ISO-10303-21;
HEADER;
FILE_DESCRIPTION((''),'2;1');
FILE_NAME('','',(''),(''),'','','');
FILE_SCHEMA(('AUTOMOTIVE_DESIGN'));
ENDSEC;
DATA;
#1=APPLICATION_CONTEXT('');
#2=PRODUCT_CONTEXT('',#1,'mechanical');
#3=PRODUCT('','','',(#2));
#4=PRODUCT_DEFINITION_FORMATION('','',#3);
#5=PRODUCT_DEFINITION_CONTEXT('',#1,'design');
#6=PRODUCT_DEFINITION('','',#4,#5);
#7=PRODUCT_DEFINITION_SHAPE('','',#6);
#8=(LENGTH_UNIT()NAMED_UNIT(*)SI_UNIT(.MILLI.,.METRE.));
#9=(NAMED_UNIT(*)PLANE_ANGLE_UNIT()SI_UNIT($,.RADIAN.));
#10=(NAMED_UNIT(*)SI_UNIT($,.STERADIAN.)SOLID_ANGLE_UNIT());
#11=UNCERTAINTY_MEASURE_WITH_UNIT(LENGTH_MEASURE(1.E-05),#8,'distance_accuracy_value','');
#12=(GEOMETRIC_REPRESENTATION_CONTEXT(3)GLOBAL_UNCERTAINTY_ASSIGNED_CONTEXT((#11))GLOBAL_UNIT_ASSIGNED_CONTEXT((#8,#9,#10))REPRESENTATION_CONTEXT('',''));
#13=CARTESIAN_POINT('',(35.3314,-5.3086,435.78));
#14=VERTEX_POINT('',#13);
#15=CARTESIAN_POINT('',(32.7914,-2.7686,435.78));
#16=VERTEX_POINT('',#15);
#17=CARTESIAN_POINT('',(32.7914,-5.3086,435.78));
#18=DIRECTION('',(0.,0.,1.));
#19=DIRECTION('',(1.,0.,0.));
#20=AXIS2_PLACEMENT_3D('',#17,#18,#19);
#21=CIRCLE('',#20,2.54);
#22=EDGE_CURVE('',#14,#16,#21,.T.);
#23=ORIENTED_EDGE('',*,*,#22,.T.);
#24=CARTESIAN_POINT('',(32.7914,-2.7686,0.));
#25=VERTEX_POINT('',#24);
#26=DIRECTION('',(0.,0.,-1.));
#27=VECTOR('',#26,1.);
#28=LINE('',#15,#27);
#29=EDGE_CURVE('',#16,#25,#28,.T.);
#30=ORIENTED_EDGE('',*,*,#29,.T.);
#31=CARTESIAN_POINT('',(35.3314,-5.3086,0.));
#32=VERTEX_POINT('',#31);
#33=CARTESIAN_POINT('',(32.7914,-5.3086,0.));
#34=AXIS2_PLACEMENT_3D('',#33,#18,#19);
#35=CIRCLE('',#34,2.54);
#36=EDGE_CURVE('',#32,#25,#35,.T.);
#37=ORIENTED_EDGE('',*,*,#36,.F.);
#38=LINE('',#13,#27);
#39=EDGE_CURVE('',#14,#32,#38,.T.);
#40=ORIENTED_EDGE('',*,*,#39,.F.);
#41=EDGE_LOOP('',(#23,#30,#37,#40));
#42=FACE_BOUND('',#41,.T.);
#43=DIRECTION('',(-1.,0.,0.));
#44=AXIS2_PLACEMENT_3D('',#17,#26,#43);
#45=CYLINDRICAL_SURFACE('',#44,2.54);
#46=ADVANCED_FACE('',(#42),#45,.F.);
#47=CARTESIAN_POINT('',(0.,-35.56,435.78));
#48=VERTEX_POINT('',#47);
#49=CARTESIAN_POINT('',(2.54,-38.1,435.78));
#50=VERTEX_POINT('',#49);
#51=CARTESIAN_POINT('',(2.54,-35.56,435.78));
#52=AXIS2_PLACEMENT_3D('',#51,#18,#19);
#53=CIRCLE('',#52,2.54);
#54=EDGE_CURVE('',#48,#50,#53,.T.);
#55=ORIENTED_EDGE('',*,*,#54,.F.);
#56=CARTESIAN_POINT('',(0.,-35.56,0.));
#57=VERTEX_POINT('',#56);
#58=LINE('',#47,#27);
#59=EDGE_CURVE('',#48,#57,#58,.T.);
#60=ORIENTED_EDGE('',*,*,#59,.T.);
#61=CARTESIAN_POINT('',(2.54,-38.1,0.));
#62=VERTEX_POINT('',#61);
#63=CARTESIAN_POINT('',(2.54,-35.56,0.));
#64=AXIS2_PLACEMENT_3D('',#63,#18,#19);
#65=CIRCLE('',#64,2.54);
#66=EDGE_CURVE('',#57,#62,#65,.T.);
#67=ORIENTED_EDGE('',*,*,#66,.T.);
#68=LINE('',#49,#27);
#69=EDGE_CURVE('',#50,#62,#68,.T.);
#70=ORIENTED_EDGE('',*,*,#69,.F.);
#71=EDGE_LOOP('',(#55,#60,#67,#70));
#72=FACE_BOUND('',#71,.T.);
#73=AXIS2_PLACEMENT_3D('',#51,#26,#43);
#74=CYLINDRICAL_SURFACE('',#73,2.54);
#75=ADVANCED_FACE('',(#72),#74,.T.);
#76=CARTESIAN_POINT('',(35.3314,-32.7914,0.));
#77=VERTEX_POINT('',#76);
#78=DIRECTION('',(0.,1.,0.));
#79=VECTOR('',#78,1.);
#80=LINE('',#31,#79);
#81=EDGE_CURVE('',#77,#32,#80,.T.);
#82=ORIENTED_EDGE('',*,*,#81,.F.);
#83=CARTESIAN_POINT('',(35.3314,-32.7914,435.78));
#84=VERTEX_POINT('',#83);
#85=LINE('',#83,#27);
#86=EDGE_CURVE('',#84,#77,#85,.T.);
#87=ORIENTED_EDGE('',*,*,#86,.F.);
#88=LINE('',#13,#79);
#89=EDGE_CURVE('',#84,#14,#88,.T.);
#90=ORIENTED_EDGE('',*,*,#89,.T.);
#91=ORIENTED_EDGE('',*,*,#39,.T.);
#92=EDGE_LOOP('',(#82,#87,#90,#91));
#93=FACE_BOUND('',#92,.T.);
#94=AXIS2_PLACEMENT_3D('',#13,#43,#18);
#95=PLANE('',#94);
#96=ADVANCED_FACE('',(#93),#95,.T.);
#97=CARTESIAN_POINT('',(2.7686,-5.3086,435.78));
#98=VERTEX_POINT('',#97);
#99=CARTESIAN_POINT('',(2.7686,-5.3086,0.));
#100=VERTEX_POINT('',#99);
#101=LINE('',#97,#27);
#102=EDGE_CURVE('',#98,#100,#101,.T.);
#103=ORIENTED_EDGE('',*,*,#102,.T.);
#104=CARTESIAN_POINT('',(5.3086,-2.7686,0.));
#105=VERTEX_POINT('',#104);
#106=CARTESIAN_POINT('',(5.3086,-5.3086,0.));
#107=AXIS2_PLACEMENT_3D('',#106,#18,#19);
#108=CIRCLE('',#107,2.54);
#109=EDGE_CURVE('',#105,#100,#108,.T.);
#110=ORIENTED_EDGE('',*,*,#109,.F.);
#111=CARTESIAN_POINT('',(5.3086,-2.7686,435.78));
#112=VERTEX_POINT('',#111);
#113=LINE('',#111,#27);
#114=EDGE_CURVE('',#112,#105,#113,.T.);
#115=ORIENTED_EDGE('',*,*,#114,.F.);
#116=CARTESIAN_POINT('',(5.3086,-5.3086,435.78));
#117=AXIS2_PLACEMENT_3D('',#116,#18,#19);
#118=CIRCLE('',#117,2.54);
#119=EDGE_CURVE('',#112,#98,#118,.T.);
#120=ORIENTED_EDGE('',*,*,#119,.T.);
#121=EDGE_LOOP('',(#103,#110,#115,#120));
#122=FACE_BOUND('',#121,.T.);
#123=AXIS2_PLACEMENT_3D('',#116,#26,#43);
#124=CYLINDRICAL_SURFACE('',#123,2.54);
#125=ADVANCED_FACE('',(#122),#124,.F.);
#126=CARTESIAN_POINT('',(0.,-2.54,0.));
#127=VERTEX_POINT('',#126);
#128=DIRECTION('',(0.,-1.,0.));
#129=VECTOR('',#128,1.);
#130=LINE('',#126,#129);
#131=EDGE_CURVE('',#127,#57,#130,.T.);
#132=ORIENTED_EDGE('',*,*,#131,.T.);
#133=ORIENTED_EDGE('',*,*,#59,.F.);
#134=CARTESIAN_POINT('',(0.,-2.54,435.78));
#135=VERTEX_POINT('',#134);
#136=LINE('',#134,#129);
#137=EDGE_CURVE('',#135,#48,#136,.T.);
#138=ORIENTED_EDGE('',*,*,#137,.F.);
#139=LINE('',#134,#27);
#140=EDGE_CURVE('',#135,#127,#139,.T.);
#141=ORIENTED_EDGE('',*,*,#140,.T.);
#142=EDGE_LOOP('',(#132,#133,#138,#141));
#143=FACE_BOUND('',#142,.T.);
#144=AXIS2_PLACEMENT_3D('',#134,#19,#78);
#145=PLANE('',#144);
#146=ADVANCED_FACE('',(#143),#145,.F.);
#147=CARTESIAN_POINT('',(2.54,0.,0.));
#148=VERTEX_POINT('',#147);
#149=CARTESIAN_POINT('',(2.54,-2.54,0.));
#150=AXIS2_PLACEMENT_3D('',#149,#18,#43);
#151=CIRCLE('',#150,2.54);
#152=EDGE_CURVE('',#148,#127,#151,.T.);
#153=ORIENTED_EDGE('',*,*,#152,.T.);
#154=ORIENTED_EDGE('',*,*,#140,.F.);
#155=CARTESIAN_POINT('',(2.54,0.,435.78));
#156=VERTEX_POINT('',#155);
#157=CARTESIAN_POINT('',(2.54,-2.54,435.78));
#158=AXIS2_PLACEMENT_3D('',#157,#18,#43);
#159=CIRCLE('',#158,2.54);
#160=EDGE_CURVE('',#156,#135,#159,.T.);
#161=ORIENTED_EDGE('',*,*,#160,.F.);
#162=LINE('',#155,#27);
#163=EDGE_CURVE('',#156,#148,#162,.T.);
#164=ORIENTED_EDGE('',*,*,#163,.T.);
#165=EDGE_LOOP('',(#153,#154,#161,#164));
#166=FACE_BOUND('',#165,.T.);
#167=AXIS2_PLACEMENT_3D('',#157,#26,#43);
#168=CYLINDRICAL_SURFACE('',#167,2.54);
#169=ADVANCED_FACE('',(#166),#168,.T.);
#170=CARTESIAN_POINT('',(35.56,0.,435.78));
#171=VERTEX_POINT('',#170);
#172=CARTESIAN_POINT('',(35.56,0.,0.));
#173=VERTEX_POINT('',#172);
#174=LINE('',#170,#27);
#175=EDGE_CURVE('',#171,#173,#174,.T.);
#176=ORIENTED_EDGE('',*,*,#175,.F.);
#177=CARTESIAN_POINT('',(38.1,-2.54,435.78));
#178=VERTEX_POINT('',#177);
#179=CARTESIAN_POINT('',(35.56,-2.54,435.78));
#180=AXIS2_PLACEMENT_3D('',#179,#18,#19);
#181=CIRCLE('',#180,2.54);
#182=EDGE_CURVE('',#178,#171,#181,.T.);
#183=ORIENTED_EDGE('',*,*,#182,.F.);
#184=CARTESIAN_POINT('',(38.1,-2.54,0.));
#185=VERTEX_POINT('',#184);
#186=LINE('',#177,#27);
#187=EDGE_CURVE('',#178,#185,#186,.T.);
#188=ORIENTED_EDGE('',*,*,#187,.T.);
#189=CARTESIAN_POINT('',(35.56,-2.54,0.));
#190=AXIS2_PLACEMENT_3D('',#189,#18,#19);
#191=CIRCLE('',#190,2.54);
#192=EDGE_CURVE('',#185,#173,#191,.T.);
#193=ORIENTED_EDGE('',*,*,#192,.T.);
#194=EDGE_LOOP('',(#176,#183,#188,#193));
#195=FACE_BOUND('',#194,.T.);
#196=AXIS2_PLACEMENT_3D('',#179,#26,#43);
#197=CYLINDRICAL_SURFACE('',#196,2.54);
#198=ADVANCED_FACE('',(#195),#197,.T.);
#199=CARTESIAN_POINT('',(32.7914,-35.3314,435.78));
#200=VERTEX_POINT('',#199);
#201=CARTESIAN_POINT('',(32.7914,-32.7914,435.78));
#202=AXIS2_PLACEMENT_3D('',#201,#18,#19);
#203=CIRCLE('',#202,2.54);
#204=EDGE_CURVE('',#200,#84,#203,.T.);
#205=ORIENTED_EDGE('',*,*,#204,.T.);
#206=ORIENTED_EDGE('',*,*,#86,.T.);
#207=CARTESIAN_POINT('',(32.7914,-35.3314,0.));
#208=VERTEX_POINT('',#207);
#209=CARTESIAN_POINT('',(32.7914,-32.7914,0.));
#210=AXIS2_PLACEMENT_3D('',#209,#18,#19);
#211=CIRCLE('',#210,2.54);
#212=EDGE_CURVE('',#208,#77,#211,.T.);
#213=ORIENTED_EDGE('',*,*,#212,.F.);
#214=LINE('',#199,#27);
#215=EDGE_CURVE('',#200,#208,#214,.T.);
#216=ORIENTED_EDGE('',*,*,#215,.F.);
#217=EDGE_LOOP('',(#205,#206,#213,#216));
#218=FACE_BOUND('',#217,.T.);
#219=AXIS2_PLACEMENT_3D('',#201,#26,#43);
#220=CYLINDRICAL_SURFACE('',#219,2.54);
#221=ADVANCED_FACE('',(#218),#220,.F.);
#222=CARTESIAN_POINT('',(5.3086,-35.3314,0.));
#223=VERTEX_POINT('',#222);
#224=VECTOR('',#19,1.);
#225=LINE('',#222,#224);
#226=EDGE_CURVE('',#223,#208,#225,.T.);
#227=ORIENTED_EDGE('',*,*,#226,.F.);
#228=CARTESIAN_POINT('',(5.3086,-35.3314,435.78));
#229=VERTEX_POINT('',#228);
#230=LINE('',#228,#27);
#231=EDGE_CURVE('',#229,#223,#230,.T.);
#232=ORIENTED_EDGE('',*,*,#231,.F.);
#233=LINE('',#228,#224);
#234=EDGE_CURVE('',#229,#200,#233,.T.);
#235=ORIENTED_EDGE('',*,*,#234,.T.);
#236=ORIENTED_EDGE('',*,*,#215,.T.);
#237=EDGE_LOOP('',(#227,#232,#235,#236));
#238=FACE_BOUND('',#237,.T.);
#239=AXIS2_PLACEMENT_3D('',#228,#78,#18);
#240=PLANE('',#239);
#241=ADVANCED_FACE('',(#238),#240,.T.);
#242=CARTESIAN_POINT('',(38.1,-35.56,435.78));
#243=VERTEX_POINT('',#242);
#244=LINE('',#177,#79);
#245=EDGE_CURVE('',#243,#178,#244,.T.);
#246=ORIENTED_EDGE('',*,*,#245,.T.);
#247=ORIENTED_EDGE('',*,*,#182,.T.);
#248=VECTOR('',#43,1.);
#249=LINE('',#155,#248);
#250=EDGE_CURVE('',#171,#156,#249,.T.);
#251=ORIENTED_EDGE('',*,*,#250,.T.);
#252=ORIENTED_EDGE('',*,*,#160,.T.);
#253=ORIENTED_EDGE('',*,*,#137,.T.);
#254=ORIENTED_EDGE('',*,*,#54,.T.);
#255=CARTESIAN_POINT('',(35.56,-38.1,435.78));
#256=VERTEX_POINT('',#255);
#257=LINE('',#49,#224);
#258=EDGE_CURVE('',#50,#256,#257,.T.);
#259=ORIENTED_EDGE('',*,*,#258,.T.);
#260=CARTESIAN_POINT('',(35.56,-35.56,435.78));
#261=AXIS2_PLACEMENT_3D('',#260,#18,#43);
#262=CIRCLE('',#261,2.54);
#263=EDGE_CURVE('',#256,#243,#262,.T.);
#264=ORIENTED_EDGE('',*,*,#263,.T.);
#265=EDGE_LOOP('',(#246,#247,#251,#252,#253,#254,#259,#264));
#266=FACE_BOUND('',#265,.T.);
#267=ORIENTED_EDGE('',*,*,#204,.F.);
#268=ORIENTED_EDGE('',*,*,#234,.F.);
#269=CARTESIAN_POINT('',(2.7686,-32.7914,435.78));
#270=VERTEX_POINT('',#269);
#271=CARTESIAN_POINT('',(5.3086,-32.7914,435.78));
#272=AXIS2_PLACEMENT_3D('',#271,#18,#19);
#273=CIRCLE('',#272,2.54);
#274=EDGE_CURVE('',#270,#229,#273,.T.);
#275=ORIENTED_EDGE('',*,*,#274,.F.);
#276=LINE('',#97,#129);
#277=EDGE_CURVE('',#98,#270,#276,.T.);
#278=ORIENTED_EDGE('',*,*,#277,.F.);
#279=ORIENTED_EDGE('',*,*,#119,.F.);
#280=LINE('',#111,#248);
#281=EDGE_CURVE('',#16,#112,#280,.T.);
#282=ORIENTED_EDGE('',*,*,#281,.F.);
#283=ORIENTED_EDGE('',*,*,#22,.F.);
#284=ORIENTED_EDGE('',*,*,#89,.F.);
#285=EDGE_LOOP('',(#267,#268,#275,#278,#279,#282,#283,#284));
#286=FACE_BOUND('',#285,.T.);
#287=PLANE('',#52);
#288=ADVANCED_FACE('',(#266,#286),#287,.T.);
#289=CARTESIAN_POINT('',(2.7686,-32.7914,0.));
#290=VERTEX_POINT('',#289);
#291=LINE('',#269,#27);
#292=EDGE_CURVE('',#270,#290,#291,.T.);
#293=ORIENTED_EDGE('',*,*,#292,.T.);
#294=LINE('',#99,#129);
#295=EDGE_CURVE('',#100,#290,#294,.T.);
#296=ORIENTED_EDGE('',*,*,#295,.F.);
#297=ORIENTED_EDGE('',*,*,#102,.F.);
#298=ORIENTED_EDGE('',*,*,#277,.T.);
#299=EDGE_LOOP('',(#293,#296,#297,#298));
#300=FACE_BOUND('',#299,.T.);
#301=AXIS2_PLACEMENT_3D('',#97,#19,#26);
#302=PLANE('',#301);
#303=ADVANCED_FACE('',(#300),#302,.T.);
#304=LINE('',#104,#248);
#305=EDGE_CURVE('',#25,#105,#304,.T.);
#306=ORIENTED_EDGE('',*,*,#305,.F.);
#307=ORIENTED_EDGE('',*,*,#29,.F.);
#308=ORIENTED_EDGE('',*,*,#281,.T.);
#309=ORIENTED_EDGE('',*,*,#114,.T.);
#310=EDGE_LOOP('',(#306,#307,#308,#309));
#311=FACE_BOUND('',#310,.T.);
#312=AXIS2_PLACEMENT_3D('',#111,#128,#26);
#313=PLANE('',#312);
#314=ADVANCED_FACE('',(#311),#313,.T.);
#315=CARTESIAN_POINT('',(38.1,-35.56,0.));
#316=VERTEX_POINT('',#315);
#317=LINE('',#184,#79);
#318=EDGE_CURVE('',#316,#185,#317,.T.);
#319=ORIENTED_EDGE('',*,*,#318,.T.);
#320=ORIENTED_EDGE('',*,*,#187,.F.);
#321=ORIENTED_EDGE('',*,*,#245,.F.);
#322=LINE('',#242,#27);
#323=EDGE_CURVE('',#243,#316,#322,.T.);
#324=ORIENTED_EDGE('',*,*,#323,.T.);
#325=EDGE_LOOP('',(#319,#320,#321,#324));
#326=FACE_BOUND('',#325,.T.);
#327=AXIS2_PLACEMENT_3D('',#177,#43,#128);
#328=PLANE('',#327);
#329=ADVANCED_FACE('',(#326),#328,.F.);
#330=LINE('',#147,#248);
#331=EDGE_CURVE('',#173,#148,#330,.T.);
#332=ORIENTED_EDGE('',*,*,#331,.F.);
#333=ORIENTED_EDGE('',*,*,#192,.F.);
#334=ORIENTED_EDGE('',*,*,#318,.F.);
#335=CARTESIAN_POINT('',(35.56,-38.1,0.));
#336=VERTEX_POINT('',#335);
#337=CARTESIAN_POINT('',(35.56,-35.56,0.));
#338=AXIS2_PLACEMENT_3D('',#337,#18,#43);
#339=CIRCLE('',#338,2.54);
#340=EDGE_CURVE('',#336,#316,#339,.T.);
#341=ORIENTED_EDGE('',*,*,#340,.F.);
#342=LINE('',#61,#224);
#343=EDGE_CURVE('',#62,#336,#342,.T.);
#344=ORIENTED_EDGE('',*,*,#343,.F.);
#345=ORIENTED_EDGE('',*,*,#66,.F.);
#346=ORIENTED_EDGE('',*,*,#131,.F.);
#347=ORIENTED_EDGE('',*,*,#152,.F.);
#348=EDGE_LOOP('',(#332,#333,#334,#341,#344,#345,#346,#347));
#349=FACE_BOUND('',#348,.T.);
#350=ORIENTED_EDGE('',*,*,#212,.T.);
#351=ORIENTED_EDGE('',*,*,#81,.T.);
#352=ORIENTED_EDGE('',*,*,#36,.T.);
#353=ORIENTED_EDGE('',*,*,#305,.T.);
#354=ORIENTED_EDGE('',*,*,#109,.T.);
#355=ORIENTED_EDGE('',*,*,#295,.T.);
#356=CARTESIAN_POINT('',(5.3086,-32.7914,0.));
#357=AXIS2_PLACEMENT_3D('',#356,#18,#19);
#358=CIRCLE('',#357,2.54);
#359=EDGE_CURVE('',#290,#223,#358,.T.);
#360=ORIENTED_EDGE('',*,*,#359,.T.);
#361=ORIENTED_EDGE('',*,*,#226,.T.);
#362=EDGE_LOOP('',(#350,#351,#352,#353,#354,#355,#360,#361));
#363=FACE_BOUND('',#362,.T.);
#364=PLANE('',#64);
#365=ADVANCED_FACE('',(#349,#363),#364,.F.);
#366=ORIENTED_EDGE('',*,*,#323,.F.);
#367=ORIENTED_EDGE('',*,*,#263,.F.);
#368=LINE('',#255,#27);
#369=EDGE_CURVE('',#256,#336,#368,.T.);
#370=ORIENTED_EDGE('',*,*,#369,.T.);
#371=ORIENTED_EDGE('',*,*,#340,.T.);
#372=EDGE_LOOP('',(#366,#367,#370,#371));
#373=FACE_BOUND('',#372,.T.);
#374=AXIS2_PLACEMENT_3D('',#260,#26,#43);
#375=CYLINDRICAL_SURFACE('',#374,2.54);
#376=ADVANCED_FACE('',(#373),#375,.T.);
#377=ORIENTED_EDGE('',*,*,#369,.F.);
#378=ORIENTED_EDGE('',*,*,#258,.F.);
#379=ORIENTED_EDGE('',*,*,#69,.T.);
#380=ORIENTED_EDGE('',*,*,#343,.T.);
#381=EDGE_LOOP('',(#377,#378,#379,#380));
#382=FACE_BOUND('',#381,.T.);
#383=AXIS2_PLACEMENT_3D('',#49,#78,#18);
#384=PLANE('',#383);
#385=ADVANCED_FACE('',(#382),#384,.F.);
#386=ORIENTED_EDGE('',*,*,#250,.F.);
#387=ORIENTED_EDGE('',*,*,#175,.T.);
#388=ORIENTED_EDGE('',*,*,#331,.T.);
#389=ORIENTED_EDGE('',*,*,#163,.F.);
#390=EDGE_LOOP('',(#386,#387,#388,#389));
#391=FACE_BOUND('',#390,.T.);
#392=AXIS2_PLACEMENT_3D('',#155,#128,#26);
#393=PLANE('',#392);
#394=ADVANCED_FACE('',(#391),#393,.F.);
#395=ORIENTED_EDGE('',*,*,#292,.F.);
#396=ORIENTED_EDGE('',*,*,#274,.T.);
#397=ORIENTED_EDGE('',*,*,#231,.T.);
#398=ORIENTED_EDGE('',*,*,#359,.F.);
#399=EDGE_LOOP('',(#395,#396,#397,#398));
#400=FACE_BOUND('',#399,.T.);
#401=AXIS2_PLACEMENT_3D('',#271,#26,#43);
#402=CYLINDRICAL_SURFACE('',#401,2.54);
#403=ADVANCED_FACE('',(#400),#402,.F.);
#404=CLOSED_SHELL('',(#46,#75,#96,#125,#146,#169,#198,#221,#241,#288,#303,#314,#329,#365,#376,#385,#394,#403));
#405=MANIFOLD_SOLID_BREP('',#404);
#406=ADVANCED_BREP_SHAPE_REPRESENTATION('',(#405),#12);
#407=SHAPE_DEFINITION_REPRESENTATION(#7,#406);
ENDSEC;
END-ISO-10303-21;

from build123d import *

# Parameters (mm, degrees)
BOSS_EXTRUDE1_DEPTH = 435.78


with BuildPart() as part:
    # Sketch1 → Boss-Extrude1 (new body)
    with BuildSketch(Plane.XY):
        with BuildLine():
            Line((2.54, 0), (35.56, 0))
            ThreePointArc((35.56, 0), (37.356051224, -0.743948776), (38.1, -2.54))
            Line((38.1, -2.54), (38.1, -35.56))
            ThreePointArc((38.1, -35.56), (37.356051224, -37.356051224), (35.56, -38.1))
            Line((35.56, -38.1), (2.54, -38.1))
            ThreePointArc((2.54, -38.1), (0.743948776, -37.356051224), (0, -35.56))
            Line((0, -35.56), (0, -2.54))
            ThreePointArc((0, -2.54), (0.743948776, -0.743948776), (2.54, 0))
        make_face()
        with BuildLine():
            Line((5.3086, -2.7686), (32.7914, -2.7686))
            ThreePointArc((32.7914, -2.7686), (34.587451224, -3.512548776), (35.3314, -5.3086))
            Line((35.3314, -5.3086), (35.3314, -32.7914))
            ThreePointArc((35.3314, -32.7914), (34.587451224, -34.587451224), (32.7914, -35.3314))
            Line((32.7914, -35.3314), (5.3086, -35.3314))
            ThreePointArc((5.3086, -35.3314), (3.512548776, -34.587451224), (2.7686, -32.7914))
            Line((2.7686, -32.7914), (2.7686, -5.3086))
            ThreePointArc((2.7686, -5.3086), (3.512548776, -3.512548776), (5.3086, -2.7686))
        make_face(mode=Mode.SUBTRACT)
    extrude(amount=BOSS_EXTRUDE1_DEPTH)


solid = part.part
